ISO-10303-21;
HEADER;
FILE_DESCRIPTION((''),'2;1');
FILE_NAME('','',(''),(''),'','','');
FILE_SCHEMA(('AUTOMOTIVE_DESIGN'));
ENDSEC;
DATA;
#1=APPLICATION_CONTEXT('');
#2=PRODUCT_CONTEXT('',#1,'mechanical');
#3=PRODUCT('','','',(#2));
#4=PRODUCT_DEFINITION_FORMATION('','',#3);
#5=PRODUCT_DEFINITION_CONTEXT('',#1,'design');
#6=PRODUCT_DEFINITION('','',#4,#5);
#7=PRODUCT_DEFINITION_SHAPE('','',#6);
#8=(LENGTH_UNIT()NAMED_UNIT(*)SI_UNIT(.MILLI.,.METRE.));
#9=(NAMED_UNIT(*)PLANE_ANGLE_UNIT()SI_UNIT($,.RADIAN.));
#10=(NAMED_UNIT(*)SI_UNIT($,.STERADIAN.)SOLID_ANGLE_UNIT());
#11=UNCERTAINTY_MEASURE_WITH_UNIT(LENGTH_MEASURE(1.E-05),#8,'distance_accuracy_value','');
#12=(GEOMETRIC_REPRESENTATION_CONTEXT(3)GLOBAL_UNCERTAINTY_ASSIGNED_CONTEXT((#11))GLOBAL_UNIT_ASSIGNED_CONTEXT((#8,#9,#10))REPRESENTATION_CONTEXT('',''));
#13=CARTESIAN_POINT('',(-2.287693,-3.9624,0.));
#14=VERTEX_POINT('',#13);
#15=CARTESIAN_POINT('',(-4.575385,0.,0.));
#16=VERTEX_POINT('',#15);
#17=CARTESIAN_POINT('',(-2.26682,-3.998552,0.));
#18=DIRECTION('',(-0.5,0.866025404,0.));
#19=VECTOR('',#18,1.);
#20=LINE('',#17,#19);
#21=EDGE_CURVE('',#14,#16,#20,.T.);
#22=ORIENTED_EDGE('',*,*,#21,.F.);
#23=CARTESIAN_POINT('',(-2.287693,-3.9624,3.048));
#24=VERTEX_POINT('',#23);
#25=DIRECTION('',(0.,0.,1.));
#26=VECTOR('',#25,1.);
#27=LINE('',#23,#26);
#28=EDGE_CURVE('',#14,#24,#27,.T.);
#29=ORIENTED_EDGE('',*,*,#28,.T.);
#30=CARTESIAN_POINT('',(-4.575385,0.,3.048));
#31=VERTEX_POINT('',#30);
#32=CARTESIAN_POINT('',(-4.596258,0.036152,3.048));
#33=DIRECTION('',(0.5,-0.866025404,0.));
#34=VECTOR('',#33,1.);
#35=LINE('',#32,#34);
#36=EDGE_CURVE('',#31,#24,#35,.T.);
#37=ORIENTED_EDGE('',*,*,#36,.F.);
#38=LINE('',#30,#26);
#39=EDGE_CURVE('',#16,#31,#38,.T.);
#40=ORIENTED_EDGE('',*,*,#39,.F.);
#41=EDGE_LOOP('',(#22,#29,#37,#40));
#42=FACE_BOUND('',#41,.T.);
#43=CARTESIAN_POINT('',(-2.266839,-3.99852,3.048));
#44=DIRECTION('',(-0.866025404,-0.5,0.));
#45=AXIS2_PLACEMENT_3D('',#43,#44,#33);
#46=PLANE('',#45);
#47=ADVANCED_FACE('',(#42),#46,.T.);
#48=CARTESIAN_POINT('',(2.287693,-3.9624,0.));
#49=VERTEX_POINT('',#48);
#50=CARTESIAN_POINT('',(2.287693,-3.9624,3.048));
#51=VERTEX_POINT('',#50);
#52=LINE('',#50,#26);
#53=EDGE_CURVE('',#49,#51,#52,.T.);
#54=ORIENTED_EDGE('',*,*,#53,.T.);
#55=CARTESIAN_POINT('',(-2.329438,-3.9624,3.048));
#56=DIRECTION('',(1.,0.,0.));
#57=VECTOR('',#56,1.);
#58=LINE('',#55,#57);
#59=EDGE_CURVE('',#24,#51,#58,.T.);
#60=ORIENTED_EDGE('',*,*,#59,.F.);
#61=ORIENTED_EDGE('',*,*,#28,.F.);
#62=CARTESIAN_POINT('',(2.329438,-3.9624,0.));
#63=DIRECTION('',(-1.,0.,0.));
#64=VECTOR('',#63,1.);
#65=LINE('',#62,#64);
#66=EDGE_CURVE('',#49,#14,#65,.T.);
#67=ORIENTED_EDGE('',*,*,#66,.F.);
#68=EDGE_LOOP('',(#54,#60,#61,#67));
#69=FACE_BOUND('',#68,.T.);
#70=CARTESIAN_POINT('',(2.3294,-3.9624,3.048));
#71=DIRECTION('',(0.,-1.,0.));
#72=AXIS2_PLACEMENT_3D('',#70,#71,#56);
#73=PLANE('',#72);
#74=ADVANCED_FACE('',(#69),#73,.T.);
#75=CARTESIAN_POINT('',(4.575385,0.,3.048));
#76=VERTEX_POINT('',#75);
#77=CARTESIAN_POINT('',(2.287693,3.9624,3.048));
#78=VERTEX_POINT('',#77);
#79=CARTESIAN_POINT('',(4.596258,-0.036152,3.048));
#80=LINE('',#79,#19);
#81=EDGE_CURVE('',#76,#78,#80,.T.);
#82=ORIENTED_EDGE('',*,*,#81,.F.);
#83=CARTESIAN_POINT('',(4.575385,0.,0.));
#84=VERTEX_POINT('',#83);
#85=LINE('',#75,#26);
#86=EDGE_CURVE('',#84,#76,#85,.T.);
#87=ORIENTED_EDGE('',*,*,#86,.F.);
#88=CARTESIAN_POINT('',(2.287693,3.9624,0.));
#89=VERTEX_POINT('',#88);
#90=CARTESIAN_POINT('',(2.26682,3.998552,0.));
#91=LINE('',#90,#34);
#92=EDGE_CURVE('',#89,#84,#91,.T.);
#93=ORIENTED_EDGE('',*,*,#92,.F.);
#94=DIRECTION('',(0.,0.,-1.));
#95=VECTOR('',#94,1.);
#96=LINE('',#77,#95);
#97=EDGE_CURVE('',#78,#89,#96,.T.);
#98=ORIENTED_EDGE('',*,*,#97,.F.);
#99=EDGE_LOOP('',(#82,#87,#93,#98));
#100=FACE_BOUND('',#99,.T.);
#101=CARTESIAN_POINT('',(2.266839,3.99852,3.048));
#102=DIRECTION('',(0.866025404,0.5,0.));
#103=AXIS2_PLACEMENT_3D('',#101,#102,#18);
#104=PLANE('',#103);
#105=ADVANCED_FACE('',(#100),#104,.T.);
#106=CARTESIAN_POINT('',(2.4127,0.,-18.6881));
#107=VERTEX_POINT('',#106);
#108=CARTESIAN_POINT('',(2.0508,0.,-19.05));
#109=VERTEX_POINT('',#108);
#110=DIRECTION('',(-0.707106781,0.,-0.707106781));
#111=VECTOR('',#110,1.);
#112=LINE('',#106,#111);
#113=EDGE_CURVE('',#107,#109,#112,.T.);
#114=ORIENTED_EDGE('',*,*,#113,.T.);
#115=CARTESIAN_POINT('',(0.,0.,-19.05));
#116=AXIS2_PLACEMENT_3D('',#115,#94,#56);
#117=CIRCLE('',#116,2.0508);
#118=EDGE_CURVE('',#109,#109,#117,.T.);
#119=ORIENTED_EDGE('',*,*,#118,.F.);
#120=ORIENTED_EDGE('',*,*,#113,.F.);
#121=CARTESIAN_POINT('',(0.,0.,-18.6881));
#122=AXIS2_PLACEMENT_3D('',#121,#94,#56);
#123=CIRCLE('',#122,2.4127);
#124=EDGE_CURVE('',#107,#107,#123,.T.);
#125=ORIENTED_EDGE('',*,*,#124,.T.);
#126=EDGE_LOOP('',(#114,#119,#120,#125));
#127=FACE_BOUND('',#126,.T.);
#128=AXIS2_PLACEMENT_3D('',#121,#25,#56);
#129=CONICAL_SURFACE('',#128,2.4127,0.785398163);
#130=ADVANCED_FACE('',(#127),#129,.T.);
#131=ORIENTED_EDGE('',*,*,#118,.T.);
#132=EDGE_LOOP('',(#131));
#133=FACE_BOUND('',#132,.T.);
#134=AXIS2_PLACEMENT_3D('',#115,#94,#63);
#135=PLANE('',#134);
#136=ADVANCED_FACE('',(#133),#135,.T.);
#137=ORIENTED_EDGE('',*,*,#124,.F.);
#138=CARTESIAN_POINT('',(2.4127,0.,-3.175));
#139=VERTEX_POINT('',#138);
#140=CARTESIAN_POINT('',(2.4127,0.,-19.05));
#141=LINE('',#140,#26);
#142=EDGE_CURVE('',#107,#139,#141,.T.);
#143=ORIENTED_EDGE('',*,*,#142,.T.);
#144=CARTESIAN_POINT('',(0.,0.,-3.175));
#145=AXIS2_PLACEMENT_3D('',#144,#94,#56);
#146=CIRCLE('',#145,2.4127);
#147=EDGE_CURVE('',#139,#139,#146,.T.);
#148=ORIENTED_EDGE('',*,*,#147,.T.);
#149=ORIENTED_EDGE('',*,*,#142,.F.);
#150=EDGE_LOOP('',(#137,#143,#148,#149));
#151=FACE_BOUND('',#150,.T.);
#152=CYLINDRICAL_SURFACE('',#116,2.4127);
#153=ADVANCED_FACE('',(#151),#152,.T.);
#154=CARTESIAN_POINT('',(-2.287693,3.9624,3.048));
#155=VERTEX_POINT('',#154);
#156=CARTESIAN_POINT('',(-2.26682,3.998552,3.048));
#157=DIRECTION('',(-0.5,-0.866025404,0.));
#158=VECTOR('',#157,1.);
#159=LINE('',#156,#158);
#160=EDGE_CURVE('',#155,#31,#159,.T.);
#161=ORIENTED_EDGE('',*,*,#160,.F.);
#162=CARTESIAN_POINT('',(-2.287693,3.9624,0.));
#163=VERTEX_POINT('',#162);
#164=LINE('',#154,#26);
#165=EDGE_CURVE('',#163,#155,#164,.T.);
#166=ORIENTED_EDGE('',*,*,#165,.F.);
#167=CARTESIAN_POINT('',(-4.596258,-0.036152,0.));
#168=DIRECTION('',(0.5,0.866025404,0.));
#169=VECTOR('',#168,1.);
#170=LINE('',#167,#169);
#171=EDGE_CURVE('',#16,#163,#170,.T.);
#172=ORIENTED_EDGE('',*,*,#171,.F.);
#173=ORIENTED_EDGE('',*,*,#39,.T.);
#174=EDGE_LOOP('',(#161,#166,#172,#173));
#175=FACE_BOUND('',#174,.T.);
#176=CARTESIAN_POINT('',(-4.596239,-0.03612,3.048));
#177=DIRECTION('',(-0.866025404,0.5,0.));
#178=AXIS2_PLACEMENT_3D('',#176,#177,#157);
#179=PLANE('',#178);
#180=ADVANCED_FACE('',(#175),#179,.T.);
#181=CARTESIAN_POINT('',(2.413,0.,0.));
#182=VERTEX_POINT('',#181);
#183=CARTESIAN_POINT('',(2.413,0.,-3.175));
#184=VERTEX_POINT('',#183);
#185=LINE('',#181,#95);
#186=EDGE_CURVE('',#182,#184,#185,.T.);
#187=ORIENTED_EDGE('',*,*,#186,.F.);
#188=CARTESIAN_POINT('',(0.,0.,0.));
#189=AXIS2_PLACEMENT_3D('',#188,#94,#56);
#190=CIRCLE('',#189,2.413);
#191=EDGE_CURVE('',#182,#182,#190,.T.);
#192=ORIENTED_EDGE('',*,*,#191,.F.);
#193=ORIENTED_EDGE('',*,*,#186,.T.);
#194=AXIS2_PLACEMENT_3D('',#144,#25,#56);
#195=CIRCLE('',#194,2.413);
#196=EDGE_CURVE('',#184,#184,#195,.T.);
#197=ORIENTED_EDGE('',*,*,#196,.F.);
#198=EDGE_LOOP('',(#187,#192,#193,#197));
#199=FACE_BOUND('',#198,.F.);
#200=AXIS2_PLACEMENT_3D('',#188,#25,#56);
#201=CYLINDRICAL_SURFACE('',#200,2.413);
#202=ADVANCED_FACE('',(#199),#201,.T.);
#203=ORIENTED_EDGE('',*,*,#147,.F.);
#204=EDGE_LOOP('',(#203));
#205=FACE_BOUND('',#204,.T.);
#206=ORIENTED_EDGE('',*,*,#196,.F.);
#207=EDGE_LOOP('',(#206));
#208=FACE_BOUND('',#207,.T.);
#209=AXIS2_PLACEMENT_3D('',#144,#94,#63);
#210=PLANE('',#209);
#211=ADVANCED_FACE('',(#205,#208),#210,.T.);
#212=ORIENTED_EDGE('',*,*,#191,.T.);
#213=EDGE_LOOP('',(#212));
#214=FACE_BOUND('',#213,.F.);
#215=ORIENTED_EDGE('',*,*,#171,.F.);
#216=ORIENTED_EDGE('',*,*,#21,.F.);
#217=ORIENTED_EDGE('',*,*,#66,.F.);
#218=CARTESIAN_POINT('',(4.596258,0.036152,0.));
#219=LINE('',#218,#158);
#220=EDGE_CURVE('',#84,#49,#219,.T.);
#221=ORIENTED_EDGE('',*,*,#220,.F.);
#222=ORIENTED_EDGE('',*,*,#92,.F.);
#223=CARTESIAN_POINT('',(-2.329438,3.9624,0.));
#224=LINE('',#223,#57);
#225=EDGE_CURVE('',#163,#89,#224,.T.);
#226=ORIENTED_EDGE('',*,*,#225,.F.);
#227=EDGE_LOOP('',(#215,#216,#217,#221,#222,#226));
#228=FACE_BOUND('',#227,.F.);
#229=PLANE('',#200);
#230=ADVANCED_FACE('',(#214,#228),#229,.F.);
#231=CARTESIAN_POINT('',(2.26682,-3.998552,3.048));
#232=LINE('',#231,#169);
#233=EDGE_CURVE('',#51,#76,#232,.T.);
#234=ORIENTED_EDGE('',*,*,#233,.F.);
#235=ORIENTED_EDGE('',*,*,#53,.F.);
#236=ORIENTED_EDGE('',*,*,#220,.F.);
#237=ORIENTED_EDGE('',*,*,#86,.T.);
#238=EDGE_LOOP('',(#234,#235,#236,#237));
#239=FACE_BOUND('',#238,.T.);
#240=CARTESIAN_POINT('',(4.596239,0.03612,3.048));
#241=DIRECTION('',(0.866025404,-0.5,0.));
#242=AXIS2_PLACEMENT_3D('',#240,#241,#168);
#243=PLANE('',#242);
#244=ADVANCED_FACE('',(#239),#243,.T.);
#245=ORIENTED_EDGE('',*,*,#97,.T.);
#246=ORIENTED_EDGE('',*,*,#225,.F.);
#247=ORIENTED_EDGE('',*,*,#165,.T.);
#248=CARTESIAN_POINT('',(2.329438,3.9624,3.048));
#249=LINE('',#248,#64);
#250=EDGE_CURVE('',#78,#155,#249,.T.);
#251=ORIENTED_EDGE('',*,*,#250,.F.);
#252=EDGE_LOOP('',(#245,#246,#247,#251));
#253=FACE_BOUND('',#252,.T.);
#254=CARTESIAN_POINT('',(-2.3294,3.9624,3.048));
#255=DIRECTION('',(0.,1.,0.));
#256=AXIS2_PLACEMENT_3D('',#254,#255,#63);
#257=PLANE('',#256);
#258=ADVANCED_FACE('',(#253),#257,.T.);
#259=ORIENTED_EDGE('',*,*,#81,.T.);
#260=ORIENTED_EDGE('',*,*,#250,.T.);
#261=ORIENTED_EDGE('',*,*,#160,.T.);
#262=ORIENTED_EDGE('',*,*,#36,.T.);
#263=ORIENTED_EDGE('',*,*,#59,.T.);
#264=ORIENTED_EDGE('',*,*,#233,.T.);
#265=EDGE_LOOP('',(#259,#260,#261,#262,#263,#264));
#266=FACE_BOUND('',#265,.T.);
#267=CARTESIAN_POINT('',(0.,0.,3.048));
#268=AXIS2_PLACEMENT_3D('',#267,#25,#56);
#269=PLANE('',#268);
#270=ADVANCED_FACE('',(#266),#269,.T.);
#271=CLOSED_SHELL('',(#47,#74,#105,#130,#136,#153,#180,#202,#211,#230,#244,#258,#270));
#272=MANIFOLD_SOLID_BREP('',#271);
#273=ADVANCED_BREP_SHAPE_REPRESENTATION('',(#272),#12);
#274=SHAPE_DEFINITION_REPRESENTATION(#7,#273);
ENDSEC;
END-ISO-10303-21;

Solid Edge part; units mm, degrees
sketch "Sketch1" plane through (0, 0, 0) normal (0, 0, 1) x (1, 0, 0)
  circle A0 centre (0, 0) radius 4.5964
  dimension "D1" = 9.1928
extrude "Protrusion1" add sketch "Sketch1" along normal blind 3.048
sketch "Sketch2" plane through (0, 0, 0) normal (0, 0, -1) x (1, 0, 0)
  circle A0 centre (0, 0) radius 2.413
extrude "Protrusion2" add sketch "Sketch2" along normal blind 19.05
sketch "Sketch3" plane through (0, 0, -19.05) normal (0, 0, -1) x (1, 0, 0)
  circle A0 centre (0, 0) radius 2.4127
extrude "Cutout1" cut sketch "Sketch3" against normal blind 15.875 flip side to cut
chamfer "Chamfer_1" distance 0.3619 angle 45 1 edges at (-2.4127, 0, -19.05)
sketch "Sketch4" plane through (0, 0, 3.048) normal (0, 0, 1) x (1, 0, 0)
  line L0 (-2.3294, 3.9624) -> (2.3294, 3.9624)
  dimension "D1" = 7.9248
extrude "Cutout2" cut sketch "Sketch4" against normal up to next material side at (0, 4.0124, 3.048)
pattern_circular "Pattern1" count 6 over 360 about axis through (0, 0, 3.048) along (0, 0, 1) of "Cutout2"
properties part number "117531"
